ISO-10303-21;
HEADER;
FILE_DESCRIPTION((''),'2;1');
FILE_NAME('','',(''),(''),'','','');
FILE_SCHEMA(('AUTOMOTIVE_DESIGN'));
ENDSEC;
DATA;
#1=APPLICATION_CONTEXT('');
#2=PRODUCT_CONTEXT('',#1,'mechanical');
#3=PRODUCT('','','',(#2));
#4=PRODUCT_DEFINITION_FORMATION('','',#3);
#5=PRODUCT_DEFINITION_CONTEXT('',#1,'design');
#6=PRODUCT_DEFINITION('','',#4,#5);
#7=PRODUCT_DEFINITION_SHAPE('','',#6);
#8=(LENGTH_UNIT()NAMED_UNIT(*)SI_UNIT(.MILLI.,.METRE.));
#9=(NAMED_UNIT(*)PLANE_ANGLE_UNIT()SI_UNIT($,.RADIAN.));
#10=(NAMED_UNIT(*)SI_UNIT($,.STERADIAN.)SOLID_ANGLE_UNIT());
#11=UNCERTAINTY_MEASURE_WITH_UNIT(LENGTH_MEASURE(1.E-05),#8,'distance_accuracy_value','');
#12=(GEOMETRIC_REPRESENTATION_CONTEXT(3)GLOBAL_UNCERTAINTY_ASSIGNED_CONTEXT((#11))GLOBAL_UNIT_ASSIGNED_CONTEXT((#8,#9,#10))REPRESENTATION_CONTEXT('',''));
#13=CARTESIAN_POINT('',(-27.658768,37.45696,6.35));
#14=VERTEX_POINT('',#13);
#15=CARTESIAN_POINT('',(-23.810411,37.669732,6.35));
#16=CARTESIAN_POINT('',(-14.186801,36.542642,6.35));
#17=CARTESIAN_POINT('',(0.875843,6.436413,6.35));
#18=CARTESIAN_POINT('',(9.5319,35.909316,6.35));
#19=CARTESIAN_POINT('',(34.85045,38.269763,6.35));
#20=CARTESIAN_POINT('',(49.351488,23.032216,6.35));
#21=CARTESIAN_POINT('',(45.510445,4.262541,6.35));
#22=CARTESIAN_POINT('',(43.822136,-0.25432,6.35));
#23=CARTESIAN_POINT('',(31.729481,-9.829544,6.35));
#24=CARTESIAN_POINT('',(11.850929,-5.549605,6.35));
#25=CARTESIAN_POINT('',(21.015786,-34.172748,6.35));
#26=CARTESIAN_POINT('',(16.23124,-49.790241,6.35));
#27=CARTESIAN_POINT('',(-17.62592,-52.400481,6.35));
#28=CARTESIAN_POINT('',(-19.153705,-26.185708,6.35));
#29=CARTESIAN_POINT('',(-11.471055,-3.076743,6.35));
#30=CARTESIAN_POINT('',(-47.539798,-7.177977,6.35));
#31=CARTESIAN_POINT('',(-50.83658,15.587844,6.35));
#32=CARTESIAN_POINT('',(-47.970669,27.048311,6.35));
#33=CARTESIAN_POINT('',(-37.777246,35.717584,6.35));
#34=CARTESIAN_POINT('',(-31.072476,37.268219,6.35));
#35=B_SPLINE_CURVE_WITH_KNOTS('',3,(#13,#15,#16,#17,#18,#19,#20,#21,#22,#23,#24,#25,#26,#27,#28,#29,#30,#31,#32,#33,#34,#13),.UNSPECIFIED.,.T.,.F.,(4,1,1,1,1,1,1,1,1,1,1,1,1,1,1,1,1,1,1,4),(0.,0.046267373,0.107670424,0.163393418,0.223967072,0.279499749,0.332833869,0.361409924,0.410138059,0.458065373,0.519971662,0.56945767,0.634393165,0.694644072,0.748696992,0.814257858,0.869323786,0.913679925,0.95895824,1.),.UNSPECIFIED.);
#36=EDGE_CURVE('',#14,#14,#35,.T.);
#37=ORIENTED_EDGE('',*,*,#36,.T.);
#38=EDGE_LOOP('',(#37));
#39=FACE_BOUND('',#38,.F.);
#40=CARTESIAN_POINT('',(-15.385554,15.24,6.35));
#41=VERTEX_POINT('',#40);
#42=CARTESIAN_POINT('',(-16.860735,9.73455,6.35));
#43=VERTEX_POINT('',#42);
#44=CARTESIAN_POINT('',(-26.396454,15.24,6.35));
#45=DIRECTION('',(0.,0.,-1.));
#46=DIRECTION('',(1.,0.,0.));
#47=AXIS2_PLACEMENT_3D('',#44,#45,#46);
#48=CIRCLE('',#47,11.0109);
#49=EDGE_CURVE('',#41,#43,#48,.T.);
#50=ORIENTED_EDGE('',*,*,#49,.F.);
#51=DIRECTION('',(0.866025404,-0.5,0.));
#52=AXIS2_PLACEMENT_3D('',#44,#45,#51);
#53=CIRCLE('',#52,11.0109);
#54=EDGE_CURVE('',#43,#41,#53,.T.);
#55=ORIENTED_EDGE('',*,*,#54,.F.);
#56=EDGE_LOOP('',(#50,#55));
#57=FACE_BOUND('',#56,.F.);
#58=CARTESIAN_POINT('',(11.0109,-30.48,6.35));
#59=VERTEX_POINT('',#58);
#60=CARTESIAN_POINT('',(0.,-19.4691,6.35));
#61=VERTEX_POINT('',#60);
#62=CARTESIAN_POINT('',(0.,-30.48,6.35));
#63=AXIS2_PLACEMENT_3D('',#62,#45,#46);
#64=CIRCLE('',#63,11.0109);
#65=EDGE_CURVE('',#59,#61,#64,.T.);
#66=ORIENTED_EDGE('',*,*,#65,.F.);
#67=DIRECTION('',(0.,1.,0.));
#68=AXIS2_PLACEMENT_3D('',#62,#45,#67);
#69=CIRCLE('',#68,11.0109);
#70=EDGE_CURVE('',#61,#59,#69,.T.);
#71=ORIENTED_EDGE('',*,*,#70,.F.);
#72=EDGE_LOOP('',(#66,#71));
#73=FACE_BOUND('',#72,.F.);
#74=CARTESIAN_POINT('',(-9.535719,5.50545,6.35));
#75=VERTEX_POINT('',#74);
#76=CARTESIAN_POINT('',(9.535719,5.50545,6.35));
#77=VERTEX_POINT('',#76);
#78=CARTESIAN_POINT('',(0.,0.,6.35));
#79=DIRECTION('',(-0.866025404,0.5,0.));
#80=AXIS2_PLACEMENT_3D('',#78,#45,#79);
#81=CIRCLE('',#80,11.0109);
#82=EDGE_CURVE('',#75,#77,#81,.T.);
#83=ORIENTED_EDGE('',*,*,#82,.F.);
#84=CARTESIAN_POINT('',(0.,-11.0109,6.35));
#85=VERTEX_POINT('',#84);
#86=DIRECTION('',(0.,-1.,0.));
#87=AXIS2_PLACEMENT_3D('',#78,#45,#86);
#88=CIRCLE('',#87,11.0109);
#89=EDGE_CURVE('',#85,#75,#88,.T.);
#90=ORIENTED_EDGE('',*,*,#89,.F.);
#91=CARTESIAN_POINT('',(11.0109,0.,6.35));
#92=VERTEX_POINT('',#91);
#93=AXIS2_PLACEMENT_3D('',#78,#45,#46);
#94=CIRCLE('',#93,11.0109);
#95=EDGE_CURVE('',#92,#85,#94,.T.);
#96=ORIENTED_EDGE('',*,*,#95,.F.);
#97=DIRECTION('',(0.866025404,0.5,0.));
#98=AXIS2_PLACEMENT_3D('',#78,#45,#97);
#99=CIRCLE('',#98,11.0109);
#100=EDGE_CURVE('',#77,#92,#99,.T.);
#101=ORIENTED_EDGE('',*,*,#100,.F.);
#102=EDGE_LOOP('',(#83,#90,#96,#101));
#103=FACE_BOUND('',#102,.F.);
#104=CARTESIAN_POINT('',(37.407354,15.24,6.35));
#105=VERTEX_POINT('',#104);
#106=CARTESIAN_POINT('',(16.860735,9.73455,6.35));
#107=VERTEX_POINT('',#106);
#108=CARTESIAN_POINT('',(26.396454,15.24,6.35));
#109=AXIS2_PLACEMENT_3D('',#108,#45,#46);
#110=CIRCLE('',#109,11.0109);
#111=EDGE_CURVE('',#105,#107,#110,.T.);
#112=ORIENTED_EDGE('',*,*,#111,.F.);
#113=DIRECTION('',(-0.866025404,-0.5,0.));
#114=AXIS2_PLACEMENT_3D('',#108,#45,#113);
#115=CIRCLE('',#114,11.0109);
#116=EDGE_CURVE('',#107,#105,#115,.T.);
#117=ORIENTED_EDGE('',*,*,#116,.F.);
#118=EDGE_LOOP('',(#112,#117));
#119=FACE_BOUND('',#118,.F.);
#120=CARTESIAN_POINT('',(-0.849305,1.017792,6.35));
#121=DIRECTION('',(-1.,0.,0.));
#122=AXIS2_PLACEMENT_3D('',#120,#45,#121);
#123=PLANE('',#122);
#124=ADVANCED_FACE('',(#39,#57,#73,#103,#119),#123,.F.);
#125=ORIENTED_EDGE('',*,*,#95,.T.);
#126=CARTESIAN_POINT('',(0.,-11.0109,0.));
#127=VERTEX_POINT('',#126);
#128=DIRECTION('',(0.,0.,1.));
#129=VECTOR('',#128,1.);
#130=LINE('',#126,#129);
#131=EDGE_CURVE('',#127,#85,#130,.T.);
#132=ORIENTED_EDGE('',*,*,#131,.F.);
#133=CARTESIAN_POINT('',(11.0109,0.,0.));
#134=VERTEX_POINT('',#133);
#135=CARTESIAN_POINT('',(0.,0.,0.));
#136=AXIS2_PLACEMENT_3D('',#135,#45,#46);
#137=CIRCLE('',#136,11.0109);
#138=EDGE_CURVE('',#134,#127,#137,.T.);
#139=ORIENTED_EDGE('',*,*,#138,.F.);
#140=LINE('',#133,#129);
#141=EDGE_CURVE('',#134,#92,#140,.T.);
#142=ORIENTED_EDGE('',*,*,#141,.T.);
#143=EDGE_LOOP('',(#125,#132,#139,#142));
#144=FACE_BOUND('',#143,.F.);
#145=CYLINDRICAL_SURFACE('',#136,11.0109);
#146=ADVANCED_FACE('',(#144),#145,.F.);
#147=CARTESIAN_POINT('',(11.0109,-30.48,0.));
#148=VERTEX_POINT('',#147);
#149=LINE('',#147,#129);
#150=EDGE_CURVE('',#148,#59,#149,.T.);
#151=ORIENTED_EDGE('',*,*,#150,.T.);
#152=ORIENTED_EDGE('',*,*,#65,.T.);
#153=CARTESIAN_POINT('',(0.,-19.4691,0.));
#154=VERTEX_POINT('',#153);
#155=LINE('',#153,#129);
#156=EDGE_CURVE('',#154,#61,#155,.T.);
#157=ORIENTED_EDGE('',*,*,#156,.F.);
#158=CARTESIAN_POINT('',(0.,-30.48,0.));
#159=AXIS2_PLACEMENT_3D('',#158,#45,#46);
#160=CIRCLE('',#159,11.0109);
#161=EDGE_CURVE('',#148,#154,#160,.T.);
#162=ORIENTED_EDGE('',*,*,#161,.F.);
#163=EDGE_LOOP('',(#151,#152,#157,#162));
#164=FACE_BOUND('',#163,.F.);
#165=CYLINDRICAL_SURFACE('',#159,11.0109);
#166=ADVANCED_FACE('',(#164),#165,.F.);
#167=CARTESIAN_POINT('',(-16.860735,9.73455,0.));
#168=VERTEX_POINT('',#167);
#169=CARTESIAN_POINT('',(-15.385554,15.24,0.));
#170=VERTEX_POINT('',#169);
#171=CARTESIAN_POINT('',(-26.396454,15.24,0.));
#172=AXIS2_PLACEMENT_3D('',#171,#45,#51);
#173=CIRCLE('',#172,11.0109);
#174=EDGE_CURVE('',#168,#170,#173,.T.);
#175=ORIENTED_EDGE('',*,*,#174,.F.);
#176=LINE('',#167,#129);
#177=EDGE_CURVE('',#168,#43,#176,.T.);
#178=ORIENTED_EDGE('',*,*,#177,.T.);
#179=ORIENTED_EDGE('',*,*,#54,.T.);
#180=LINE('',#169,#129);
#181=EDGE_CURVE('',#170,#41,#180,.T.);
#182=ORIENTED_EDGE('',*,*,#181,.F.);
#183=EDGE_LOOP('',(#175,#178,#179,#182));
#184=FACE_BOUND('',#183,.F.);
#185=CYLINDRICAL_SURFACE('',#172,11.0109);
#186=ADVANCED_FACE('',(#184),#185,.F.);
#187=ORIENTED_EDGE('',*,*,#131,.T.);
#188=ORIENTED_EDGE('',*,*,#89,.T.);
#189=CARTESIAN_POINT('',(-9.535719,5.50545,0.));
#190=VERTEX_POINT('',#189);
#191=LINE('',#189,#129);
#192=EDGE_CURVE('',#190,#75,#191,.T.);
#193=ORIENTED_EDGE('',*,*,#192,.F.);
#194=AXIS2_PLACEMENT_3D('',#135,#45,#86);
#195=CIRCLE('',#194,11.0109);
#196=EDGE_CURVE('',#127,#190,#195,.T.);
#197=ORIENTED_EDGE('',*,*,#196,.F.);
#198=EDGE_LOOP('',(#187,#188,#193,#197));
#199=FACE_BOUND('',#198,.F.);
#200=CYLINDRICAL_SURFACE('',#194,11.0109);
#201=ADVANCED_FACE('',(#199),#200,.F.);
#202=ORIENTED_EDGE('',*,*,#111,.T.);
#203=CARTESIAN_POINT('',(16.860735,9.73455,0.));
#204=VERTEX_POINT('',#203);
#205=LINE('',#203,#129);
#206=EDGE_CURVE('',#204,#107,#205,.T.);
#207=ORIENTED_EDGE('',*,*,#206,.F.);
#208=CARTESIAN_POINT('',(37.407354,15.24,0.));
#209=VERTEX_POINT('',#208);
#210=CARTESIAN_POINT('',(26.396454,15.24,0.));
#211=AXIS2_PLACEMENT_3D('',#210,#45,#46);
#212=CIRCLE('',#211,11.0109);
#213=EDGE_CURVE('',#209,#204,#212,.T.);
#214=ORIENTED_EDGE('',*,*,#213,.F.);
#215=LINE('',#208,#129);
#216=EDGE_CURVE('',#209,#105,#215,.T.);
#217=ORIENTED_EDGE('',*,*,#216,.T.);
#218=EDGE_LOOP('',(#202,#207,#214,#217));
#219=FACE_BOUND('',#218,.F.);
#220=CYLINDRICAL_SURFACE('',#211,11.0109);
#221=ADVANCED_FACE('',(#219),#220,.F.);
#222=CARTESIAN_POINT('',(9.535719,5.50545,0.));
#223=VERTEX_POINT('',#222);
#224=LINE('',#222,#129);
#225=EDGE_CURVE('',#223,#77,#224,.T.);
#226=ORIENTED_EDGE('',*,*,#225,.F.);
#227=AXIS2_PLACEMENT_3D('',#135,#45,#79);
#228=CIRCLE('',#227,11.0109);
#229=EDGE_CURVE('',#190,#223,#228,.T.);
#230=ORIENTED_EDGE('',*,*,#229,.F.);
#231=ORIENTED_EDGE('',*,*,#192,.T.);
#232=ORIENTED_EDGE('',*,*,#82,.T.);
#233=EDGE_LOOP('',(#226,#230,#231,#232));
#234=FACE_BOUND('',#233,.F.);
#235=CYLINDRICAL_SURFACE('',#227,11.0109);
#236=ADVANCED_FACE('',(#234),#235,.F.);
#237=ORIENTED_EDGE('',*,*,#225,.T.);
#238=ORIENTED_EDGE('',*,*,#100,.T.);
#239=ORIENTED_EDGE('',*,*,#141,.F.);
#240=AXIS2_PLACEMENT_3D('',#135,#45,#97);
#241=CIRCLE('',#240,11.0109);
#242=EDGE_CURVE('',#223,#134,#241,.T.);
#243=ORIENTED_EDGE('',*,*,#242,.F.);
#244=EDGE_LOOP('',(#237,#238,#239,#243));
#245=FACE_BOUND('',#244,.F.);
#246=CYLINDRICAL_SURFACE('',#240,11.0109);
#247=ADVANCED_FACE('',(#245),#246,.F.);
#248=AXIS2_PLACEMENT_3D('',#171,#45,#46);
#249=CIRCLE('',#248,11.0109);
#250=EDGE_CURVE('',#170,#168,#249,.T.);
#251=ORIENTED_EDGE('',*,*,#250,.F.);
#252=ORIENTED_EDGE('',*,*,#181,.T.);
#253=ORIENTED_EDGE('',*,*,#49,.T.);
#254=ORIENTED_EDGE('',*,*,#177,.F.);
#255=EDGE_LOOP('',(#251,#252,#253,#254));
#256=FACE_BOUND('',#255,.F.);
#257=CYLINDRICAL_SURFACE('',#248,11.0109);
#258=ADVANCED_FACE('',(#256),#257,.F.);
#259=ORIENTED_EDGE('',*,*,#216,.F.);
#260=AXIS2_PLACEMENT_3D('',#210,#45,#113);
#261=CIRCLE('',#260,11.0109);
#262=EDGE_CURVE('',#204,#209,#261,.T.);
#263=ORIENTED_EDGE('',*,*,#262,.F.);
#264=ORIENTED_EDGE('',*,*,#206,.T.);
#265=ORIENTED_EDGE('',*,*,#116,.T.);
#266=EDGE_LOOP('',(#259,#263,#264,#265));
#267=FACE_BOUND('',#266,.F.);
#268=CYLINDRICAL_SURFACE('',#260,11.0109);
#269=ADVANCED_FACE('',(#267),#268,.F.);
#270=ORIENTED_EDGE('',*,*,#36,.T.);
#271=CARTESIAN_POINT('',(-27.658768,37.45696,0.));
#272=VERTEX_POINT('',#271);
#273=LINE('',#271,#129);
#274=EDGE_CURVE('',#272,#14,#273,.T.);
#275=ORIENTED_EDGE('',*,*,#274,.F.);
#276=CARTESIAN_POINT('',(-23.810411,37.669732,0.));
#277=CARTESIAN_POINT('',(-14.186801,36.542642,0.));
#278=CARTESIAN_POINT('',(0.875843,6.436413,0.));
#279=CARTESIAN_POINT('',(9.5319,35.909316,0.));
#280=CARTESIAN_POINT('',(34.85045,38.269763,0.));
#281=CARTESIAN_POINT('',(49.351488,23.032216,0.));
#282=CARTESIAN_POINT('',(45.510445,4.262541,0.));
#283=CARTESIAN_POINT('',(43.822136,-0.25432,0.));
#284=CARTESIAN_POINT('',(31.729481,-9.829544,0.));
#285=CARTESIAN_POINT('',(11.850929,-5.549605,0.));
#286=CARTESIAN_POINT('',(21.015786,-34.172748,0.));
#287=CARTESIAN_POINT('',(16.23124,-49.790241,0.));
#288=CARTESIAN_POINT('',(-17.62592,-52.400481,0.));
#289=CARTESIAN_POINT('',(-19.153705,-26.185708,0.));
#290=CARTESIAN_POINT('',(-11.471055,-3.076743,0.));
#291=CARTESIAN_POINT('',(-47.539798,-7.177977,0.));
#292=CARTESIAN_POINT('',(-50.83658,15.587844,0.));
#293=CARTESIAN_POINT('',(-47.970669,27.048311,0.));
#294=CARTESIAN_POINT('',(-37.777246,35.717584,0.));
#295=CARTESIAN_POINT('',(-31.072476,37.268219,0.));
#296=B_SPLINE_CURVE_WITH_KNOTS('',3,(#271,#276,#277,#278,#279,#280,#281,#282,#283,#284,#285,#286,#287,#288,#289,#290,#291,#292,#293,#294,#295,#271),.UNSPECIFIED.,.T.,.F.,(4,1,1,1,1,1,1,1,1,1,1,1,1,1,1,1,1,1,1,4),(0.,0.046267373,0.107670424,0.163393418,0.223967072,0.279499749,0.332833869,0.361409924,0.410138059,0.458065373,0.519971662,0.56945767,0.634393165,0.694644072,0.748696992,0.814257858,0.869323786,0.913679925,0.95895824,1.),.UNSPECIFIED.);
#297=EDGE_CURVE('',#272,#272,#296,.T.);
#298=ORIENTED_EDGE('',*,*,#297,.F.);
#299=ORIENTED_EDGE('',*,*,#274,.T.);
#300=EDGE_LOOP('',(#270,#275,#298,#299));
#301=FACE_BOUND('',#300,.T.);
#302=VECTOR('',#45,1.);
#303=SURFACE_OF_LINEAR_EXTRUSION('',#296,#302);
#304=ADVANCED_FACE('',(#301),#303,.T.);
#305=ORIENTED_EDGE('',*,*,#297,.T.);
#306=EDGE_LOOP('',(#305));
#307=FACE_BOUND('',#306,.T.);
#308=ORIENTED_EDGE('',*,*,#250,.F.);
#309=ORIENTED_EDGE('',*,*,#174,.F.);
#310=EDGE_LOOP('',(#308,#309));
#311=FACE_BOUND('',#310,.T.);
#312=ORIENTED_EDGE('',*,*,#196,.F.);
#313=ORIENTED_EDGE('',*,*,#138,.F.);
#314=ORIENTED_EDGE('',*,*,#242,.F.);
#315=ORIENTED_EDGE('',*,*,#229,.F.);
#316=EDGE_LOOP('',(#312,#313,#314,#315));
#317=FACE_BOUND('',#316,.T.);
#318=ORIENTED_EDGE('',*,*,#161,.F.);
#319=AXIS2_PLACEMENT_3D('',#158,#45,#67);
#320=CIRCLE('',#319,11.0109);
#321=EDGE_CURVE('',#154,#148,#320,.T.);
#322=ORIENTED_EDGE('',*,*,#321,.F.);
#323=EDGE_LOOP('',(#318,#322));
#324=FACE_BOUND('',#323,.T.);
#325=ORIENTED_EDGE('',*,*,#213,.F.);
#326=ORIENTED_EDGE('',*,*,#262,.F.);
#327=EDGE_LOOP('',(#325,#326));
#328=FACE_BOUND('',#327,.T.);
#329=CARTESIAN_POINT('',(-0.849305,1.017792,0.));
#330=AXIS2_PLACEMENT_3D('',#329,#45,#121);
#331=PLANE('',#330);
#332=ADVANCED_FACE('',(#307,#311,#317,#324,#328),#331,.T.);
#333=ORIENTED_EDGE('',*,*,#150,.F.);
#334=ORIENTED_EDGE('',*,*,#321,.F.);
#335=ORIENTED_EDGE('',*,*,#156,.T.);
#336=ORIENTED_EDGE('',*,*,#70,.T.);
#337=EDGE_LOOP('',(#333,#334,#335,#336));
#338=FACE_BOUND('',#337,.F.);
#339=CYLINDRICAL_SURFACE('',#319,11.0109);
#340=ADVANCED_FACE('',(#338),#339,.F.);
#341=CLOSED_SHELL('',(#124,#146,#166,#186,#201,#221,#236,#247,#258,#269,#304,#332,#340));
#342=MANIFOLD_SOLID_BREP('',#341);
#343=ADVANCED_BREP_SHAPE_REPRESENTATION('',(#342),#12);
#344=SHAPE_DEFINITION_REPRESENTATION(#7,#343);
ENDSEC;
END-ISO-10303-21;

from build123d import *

# Parameters (mm, degrees)
F1_DEPTH = 6.35


with BuildPart() as f1:
    # F0 (on Top) → F1 (new body)
    with BuildSketch(Plane.XY):
        with BuildLine():
            add(Edge.make_bspline(
                [(-27.6587677753, 37.4569595952), (-23.8104111585, 37.6697318289), (-14.1868012855, 36.5426421602), (0.8758425791, 6.4364125485), (9.5318995293, 35.9093164782), (34.8504495607, 38.2697627864), (49.3514882231, 23.0322160254), (45.5104445042, 4.2625409248), (43.8221363309, -0.2543203841), (31.7294806949, -9.8295436795), (11.8509290752, -5.5496045866), (21.0157856819, -34.1727476764), (16.2312404324, -49.7902405669), (-17.6259202816, -52.4004808733), (-19.1537045152, -26.1857076002), (-11.4710548267, -3.0767430982), (-47.5397979542, -7.1779768413), (-50.8365799851, 15.5878439689), (-47.9706694269, 27.0483109051), (-37.7772463087, 35.7175843357), (-31.0724762971, 37.2682186703), (-27.6587677753, 37.4569595952)],
                knots=[0, 0, 0, 0, 0.0462673734, 0.1076704236, 0.1633934178, 0.2239670718, 0.2794997492, 0.3328338693, 0.3614099236, 0.4101380589, 0.4580653735, 0.5199716618, 0.5694576703, 0.6343931645, 0.6946440722, 0.7486969922, 0.8142578577, 0.8693237863, 0.9136799251, 0.9589582404, 1, 1, 1, 1], degree=3))
        make_face()
        with BuildLine():
            ThreePointArc((11.0109, -30.48), (-7.785882057, -38.265882057), (0, -19.4691))
            ThreePointArc((0, -19.4691), (7.785882057, -22.694117943), (11.0109, -30.48))
        make_face(mode=Mode.SUBTRACT)
        with BuildLine():
            ThreePointArc((-15.3855543073, 15.24), (-15.7607416267, 12.3901693763), (-16.8607351888, 9.73455))
            ThreePointArc((-16.8607351888, 9.73455), (-37.032166988, 18.0898306237), (-15.3855543073, 15.24))
        make_face(mode=Mode.SUBTRACT)
        with BuildLine():
            ThreePointArc((9.5357191185, 5.50545), (10.6357126807, 2.8498306237), (11.0109, 0))
            ThreePointArc((11.0109, 0), (7.785882057, -7.785882057), (0, -11.0109))
            ThreePointArc((0, -11.0109), (-9.5357191185, -5.50545), (-9.5357191185, 5.50545))
            ThreePointArc((-9.5357191185, 5.50545), (0, 11.0109), (9.5357191185, 5.50545))
        make_face(mode=Mode.SUBTRACT)
        with BuildLine():
            ThreePointArc((37.4073543073, 15.24), (29.2462849311, 4.6042873193), (16.8607351888, 9.73455))
            ThreePointArc((16.8607351888, 9.73455), (23.5466236836, 25.8757126807), (37.4073543073, 15.24))
        make_face(mode=Mode.SUBTRACT)
    extrude(amount=F1_DEPTH)


solid = f1.part
